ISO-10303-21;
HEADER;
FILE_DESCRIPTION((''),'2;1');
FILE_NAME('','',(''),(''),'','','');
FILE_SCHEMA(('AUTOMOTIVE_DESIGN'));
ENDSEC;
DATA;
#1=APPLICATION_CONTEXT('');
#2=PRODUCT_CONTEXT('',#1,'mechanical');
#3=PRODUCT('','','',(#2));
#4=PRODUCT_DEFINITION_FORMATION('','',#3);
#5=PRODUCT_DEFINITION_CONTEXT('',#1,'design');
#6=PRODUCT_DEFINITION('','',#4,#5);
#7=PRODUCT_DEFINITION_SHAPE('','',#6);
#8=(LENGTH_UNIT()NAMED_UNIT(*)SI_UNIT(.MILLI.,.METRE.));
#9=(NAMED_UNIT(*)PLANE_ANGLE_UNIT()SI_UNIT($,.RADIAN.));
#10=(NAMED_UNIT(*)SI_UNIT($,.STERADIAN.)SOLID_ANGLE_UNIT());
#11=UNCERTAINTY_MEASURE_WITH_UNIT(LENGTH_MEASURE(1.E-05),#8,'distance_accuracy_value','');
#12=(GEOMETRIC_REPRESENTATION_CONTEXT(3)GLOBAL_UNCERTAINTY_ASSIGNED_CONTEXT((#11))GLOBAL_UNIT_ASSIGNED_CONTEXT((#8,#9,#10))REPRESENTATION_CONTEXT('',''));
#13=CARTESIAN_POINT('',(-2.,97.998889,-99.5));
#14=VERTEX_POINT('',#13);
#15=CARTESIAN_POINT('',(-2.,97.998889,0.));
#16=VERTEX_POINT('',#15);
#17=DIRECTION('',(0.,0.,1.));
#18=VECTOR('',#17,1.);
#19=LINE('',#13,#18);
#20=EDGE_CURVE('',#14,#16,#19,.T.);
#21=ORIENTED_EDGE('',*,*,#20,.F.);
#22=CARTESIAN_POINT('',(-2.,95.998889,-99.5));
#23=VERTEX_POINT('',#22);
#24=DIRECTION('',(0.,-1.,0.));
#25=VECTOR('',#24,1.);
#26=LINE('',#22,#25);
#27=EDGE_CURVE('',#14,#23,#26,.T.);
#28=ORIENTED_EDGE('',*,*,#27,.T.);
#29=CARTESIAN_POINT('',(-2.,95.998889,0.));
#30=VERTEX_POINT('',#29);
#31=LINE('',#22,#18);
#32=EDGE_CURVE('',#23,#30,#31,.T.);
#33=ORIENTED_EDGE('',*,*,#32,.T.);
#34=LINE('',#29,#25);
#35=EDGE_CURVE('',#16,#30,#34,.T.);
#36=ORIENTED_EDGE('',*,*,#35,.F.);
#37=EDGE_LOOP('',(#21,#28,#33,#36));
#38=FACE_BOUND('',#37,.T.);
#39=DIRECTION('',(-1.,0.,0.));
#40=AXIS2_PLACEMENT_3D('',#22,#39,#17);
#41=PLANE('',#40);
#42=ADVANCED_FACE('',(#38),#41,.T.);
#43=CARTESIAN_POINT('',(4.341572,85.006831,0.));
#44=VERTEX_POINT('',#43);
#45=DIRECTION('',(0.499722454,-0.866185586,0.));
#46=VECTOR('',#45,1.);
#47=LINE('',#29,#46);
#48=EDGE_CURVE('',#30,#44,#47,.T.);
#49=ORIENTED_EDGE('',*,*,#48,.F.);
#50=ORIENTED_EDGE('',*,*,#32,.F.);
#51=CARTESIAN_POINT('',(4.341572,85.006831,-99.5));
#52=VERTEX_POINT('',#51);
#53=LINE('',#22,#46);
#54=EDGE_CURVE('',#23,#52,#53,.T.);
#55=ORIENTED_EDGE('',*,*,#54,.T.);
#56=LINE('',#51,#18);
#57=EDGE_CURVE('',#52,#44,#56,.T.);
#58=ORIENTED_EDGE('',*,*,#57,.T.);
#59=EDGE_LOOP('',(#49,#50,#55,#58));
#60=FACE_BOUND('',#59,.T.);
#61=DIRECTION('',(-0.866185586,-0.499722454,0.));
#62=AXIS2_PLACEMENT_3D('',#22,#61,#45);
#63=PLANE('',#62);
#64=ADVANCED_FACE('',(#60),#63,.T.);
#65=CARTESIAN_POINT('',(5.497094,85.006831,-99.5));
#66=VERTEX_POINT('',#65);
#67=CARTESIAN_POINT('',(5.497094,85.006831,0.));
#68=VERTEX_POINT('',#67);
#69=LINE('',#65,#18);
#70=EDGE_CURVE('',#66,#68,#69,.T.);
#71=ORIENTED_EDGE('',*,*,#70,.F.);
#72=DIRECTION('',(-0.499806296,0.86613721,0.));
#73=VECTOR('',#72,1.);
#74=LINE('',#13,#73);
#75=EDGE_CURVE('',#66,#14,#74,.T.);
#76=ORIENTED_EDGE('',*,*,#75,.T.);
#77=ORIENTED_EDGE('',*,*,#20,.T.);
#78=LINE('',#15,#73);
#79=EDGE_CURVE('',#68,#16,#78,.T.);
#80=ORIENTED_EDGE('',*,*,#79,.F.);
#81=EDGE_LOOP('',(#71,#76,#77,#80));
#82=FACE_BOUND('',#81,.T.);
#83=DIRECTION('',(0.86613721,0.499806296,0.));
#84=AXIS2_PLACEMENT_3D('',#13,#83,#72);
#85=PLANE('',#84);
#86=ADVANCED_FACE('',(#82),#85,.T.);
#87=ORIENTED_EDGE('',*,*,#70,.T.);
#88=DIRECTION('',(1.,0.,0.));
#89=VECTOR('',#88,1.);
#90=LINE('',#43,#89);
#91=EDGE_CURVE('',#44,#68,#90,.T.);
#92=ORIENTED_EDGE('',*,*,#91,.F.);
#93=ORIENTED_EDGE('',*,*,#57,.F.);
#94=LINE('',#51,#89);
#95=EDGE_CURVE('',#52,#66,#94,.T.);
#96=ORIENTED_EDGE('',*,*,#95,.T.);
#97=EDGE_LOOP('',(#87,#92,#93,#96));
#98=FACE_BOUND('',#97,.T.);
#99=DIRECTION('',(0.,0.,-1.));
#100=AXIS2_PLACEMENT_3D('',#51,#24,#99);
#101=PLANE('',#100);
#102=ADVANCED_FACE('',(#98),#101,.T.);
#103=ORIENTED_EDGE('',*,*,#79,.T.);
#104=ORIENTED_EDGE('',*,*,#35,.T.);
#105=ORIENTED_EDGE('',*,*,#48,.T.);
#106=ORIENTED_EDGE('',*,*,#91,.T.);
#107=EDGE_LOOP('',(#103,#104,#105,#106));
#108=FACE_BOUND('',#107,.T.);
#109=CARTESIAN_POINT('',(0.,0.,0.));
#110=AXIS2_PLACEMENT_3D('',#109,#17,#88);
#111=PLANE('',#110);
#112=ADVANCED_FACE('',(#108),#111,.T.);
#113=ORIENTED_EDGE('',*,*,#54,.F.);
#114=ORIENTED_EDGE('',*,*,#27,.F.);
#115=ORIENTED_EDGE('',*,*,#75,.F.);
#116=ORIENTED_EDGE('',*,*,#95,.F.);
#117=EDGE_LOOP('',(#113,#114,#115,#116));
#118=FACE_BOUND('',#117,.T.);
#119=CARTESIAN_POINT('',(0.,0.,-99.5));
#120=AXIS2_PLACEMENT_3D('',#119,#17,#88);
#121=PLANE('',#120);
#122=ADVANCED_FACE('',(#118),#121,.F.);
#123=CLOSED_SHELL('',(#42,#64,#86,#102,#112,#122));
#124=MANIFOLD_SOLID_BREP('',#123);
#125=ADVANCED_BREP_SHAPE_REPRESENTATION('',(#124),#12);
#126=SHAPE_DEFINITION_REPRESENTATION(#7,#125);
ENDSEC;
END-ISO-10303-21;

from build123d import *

# Parameters (mm, degrees)
SALIENTE_EXTRUIR2_DEPTH = 99.5


with BuildPart() as part:
    # Croquis2 → Saliente-Extruir2 (new body)
    with BuildSketch(Plane.XY):
        Polygon((-2, 95.998889197), (-2, 97.998889197), (5.497094433, 85.006831044), (4.341572012, 85.006831044), align=None)
    extrude(amount=-SALIENTE_EXTRUIR2_DEPTH)


solid = part.part
